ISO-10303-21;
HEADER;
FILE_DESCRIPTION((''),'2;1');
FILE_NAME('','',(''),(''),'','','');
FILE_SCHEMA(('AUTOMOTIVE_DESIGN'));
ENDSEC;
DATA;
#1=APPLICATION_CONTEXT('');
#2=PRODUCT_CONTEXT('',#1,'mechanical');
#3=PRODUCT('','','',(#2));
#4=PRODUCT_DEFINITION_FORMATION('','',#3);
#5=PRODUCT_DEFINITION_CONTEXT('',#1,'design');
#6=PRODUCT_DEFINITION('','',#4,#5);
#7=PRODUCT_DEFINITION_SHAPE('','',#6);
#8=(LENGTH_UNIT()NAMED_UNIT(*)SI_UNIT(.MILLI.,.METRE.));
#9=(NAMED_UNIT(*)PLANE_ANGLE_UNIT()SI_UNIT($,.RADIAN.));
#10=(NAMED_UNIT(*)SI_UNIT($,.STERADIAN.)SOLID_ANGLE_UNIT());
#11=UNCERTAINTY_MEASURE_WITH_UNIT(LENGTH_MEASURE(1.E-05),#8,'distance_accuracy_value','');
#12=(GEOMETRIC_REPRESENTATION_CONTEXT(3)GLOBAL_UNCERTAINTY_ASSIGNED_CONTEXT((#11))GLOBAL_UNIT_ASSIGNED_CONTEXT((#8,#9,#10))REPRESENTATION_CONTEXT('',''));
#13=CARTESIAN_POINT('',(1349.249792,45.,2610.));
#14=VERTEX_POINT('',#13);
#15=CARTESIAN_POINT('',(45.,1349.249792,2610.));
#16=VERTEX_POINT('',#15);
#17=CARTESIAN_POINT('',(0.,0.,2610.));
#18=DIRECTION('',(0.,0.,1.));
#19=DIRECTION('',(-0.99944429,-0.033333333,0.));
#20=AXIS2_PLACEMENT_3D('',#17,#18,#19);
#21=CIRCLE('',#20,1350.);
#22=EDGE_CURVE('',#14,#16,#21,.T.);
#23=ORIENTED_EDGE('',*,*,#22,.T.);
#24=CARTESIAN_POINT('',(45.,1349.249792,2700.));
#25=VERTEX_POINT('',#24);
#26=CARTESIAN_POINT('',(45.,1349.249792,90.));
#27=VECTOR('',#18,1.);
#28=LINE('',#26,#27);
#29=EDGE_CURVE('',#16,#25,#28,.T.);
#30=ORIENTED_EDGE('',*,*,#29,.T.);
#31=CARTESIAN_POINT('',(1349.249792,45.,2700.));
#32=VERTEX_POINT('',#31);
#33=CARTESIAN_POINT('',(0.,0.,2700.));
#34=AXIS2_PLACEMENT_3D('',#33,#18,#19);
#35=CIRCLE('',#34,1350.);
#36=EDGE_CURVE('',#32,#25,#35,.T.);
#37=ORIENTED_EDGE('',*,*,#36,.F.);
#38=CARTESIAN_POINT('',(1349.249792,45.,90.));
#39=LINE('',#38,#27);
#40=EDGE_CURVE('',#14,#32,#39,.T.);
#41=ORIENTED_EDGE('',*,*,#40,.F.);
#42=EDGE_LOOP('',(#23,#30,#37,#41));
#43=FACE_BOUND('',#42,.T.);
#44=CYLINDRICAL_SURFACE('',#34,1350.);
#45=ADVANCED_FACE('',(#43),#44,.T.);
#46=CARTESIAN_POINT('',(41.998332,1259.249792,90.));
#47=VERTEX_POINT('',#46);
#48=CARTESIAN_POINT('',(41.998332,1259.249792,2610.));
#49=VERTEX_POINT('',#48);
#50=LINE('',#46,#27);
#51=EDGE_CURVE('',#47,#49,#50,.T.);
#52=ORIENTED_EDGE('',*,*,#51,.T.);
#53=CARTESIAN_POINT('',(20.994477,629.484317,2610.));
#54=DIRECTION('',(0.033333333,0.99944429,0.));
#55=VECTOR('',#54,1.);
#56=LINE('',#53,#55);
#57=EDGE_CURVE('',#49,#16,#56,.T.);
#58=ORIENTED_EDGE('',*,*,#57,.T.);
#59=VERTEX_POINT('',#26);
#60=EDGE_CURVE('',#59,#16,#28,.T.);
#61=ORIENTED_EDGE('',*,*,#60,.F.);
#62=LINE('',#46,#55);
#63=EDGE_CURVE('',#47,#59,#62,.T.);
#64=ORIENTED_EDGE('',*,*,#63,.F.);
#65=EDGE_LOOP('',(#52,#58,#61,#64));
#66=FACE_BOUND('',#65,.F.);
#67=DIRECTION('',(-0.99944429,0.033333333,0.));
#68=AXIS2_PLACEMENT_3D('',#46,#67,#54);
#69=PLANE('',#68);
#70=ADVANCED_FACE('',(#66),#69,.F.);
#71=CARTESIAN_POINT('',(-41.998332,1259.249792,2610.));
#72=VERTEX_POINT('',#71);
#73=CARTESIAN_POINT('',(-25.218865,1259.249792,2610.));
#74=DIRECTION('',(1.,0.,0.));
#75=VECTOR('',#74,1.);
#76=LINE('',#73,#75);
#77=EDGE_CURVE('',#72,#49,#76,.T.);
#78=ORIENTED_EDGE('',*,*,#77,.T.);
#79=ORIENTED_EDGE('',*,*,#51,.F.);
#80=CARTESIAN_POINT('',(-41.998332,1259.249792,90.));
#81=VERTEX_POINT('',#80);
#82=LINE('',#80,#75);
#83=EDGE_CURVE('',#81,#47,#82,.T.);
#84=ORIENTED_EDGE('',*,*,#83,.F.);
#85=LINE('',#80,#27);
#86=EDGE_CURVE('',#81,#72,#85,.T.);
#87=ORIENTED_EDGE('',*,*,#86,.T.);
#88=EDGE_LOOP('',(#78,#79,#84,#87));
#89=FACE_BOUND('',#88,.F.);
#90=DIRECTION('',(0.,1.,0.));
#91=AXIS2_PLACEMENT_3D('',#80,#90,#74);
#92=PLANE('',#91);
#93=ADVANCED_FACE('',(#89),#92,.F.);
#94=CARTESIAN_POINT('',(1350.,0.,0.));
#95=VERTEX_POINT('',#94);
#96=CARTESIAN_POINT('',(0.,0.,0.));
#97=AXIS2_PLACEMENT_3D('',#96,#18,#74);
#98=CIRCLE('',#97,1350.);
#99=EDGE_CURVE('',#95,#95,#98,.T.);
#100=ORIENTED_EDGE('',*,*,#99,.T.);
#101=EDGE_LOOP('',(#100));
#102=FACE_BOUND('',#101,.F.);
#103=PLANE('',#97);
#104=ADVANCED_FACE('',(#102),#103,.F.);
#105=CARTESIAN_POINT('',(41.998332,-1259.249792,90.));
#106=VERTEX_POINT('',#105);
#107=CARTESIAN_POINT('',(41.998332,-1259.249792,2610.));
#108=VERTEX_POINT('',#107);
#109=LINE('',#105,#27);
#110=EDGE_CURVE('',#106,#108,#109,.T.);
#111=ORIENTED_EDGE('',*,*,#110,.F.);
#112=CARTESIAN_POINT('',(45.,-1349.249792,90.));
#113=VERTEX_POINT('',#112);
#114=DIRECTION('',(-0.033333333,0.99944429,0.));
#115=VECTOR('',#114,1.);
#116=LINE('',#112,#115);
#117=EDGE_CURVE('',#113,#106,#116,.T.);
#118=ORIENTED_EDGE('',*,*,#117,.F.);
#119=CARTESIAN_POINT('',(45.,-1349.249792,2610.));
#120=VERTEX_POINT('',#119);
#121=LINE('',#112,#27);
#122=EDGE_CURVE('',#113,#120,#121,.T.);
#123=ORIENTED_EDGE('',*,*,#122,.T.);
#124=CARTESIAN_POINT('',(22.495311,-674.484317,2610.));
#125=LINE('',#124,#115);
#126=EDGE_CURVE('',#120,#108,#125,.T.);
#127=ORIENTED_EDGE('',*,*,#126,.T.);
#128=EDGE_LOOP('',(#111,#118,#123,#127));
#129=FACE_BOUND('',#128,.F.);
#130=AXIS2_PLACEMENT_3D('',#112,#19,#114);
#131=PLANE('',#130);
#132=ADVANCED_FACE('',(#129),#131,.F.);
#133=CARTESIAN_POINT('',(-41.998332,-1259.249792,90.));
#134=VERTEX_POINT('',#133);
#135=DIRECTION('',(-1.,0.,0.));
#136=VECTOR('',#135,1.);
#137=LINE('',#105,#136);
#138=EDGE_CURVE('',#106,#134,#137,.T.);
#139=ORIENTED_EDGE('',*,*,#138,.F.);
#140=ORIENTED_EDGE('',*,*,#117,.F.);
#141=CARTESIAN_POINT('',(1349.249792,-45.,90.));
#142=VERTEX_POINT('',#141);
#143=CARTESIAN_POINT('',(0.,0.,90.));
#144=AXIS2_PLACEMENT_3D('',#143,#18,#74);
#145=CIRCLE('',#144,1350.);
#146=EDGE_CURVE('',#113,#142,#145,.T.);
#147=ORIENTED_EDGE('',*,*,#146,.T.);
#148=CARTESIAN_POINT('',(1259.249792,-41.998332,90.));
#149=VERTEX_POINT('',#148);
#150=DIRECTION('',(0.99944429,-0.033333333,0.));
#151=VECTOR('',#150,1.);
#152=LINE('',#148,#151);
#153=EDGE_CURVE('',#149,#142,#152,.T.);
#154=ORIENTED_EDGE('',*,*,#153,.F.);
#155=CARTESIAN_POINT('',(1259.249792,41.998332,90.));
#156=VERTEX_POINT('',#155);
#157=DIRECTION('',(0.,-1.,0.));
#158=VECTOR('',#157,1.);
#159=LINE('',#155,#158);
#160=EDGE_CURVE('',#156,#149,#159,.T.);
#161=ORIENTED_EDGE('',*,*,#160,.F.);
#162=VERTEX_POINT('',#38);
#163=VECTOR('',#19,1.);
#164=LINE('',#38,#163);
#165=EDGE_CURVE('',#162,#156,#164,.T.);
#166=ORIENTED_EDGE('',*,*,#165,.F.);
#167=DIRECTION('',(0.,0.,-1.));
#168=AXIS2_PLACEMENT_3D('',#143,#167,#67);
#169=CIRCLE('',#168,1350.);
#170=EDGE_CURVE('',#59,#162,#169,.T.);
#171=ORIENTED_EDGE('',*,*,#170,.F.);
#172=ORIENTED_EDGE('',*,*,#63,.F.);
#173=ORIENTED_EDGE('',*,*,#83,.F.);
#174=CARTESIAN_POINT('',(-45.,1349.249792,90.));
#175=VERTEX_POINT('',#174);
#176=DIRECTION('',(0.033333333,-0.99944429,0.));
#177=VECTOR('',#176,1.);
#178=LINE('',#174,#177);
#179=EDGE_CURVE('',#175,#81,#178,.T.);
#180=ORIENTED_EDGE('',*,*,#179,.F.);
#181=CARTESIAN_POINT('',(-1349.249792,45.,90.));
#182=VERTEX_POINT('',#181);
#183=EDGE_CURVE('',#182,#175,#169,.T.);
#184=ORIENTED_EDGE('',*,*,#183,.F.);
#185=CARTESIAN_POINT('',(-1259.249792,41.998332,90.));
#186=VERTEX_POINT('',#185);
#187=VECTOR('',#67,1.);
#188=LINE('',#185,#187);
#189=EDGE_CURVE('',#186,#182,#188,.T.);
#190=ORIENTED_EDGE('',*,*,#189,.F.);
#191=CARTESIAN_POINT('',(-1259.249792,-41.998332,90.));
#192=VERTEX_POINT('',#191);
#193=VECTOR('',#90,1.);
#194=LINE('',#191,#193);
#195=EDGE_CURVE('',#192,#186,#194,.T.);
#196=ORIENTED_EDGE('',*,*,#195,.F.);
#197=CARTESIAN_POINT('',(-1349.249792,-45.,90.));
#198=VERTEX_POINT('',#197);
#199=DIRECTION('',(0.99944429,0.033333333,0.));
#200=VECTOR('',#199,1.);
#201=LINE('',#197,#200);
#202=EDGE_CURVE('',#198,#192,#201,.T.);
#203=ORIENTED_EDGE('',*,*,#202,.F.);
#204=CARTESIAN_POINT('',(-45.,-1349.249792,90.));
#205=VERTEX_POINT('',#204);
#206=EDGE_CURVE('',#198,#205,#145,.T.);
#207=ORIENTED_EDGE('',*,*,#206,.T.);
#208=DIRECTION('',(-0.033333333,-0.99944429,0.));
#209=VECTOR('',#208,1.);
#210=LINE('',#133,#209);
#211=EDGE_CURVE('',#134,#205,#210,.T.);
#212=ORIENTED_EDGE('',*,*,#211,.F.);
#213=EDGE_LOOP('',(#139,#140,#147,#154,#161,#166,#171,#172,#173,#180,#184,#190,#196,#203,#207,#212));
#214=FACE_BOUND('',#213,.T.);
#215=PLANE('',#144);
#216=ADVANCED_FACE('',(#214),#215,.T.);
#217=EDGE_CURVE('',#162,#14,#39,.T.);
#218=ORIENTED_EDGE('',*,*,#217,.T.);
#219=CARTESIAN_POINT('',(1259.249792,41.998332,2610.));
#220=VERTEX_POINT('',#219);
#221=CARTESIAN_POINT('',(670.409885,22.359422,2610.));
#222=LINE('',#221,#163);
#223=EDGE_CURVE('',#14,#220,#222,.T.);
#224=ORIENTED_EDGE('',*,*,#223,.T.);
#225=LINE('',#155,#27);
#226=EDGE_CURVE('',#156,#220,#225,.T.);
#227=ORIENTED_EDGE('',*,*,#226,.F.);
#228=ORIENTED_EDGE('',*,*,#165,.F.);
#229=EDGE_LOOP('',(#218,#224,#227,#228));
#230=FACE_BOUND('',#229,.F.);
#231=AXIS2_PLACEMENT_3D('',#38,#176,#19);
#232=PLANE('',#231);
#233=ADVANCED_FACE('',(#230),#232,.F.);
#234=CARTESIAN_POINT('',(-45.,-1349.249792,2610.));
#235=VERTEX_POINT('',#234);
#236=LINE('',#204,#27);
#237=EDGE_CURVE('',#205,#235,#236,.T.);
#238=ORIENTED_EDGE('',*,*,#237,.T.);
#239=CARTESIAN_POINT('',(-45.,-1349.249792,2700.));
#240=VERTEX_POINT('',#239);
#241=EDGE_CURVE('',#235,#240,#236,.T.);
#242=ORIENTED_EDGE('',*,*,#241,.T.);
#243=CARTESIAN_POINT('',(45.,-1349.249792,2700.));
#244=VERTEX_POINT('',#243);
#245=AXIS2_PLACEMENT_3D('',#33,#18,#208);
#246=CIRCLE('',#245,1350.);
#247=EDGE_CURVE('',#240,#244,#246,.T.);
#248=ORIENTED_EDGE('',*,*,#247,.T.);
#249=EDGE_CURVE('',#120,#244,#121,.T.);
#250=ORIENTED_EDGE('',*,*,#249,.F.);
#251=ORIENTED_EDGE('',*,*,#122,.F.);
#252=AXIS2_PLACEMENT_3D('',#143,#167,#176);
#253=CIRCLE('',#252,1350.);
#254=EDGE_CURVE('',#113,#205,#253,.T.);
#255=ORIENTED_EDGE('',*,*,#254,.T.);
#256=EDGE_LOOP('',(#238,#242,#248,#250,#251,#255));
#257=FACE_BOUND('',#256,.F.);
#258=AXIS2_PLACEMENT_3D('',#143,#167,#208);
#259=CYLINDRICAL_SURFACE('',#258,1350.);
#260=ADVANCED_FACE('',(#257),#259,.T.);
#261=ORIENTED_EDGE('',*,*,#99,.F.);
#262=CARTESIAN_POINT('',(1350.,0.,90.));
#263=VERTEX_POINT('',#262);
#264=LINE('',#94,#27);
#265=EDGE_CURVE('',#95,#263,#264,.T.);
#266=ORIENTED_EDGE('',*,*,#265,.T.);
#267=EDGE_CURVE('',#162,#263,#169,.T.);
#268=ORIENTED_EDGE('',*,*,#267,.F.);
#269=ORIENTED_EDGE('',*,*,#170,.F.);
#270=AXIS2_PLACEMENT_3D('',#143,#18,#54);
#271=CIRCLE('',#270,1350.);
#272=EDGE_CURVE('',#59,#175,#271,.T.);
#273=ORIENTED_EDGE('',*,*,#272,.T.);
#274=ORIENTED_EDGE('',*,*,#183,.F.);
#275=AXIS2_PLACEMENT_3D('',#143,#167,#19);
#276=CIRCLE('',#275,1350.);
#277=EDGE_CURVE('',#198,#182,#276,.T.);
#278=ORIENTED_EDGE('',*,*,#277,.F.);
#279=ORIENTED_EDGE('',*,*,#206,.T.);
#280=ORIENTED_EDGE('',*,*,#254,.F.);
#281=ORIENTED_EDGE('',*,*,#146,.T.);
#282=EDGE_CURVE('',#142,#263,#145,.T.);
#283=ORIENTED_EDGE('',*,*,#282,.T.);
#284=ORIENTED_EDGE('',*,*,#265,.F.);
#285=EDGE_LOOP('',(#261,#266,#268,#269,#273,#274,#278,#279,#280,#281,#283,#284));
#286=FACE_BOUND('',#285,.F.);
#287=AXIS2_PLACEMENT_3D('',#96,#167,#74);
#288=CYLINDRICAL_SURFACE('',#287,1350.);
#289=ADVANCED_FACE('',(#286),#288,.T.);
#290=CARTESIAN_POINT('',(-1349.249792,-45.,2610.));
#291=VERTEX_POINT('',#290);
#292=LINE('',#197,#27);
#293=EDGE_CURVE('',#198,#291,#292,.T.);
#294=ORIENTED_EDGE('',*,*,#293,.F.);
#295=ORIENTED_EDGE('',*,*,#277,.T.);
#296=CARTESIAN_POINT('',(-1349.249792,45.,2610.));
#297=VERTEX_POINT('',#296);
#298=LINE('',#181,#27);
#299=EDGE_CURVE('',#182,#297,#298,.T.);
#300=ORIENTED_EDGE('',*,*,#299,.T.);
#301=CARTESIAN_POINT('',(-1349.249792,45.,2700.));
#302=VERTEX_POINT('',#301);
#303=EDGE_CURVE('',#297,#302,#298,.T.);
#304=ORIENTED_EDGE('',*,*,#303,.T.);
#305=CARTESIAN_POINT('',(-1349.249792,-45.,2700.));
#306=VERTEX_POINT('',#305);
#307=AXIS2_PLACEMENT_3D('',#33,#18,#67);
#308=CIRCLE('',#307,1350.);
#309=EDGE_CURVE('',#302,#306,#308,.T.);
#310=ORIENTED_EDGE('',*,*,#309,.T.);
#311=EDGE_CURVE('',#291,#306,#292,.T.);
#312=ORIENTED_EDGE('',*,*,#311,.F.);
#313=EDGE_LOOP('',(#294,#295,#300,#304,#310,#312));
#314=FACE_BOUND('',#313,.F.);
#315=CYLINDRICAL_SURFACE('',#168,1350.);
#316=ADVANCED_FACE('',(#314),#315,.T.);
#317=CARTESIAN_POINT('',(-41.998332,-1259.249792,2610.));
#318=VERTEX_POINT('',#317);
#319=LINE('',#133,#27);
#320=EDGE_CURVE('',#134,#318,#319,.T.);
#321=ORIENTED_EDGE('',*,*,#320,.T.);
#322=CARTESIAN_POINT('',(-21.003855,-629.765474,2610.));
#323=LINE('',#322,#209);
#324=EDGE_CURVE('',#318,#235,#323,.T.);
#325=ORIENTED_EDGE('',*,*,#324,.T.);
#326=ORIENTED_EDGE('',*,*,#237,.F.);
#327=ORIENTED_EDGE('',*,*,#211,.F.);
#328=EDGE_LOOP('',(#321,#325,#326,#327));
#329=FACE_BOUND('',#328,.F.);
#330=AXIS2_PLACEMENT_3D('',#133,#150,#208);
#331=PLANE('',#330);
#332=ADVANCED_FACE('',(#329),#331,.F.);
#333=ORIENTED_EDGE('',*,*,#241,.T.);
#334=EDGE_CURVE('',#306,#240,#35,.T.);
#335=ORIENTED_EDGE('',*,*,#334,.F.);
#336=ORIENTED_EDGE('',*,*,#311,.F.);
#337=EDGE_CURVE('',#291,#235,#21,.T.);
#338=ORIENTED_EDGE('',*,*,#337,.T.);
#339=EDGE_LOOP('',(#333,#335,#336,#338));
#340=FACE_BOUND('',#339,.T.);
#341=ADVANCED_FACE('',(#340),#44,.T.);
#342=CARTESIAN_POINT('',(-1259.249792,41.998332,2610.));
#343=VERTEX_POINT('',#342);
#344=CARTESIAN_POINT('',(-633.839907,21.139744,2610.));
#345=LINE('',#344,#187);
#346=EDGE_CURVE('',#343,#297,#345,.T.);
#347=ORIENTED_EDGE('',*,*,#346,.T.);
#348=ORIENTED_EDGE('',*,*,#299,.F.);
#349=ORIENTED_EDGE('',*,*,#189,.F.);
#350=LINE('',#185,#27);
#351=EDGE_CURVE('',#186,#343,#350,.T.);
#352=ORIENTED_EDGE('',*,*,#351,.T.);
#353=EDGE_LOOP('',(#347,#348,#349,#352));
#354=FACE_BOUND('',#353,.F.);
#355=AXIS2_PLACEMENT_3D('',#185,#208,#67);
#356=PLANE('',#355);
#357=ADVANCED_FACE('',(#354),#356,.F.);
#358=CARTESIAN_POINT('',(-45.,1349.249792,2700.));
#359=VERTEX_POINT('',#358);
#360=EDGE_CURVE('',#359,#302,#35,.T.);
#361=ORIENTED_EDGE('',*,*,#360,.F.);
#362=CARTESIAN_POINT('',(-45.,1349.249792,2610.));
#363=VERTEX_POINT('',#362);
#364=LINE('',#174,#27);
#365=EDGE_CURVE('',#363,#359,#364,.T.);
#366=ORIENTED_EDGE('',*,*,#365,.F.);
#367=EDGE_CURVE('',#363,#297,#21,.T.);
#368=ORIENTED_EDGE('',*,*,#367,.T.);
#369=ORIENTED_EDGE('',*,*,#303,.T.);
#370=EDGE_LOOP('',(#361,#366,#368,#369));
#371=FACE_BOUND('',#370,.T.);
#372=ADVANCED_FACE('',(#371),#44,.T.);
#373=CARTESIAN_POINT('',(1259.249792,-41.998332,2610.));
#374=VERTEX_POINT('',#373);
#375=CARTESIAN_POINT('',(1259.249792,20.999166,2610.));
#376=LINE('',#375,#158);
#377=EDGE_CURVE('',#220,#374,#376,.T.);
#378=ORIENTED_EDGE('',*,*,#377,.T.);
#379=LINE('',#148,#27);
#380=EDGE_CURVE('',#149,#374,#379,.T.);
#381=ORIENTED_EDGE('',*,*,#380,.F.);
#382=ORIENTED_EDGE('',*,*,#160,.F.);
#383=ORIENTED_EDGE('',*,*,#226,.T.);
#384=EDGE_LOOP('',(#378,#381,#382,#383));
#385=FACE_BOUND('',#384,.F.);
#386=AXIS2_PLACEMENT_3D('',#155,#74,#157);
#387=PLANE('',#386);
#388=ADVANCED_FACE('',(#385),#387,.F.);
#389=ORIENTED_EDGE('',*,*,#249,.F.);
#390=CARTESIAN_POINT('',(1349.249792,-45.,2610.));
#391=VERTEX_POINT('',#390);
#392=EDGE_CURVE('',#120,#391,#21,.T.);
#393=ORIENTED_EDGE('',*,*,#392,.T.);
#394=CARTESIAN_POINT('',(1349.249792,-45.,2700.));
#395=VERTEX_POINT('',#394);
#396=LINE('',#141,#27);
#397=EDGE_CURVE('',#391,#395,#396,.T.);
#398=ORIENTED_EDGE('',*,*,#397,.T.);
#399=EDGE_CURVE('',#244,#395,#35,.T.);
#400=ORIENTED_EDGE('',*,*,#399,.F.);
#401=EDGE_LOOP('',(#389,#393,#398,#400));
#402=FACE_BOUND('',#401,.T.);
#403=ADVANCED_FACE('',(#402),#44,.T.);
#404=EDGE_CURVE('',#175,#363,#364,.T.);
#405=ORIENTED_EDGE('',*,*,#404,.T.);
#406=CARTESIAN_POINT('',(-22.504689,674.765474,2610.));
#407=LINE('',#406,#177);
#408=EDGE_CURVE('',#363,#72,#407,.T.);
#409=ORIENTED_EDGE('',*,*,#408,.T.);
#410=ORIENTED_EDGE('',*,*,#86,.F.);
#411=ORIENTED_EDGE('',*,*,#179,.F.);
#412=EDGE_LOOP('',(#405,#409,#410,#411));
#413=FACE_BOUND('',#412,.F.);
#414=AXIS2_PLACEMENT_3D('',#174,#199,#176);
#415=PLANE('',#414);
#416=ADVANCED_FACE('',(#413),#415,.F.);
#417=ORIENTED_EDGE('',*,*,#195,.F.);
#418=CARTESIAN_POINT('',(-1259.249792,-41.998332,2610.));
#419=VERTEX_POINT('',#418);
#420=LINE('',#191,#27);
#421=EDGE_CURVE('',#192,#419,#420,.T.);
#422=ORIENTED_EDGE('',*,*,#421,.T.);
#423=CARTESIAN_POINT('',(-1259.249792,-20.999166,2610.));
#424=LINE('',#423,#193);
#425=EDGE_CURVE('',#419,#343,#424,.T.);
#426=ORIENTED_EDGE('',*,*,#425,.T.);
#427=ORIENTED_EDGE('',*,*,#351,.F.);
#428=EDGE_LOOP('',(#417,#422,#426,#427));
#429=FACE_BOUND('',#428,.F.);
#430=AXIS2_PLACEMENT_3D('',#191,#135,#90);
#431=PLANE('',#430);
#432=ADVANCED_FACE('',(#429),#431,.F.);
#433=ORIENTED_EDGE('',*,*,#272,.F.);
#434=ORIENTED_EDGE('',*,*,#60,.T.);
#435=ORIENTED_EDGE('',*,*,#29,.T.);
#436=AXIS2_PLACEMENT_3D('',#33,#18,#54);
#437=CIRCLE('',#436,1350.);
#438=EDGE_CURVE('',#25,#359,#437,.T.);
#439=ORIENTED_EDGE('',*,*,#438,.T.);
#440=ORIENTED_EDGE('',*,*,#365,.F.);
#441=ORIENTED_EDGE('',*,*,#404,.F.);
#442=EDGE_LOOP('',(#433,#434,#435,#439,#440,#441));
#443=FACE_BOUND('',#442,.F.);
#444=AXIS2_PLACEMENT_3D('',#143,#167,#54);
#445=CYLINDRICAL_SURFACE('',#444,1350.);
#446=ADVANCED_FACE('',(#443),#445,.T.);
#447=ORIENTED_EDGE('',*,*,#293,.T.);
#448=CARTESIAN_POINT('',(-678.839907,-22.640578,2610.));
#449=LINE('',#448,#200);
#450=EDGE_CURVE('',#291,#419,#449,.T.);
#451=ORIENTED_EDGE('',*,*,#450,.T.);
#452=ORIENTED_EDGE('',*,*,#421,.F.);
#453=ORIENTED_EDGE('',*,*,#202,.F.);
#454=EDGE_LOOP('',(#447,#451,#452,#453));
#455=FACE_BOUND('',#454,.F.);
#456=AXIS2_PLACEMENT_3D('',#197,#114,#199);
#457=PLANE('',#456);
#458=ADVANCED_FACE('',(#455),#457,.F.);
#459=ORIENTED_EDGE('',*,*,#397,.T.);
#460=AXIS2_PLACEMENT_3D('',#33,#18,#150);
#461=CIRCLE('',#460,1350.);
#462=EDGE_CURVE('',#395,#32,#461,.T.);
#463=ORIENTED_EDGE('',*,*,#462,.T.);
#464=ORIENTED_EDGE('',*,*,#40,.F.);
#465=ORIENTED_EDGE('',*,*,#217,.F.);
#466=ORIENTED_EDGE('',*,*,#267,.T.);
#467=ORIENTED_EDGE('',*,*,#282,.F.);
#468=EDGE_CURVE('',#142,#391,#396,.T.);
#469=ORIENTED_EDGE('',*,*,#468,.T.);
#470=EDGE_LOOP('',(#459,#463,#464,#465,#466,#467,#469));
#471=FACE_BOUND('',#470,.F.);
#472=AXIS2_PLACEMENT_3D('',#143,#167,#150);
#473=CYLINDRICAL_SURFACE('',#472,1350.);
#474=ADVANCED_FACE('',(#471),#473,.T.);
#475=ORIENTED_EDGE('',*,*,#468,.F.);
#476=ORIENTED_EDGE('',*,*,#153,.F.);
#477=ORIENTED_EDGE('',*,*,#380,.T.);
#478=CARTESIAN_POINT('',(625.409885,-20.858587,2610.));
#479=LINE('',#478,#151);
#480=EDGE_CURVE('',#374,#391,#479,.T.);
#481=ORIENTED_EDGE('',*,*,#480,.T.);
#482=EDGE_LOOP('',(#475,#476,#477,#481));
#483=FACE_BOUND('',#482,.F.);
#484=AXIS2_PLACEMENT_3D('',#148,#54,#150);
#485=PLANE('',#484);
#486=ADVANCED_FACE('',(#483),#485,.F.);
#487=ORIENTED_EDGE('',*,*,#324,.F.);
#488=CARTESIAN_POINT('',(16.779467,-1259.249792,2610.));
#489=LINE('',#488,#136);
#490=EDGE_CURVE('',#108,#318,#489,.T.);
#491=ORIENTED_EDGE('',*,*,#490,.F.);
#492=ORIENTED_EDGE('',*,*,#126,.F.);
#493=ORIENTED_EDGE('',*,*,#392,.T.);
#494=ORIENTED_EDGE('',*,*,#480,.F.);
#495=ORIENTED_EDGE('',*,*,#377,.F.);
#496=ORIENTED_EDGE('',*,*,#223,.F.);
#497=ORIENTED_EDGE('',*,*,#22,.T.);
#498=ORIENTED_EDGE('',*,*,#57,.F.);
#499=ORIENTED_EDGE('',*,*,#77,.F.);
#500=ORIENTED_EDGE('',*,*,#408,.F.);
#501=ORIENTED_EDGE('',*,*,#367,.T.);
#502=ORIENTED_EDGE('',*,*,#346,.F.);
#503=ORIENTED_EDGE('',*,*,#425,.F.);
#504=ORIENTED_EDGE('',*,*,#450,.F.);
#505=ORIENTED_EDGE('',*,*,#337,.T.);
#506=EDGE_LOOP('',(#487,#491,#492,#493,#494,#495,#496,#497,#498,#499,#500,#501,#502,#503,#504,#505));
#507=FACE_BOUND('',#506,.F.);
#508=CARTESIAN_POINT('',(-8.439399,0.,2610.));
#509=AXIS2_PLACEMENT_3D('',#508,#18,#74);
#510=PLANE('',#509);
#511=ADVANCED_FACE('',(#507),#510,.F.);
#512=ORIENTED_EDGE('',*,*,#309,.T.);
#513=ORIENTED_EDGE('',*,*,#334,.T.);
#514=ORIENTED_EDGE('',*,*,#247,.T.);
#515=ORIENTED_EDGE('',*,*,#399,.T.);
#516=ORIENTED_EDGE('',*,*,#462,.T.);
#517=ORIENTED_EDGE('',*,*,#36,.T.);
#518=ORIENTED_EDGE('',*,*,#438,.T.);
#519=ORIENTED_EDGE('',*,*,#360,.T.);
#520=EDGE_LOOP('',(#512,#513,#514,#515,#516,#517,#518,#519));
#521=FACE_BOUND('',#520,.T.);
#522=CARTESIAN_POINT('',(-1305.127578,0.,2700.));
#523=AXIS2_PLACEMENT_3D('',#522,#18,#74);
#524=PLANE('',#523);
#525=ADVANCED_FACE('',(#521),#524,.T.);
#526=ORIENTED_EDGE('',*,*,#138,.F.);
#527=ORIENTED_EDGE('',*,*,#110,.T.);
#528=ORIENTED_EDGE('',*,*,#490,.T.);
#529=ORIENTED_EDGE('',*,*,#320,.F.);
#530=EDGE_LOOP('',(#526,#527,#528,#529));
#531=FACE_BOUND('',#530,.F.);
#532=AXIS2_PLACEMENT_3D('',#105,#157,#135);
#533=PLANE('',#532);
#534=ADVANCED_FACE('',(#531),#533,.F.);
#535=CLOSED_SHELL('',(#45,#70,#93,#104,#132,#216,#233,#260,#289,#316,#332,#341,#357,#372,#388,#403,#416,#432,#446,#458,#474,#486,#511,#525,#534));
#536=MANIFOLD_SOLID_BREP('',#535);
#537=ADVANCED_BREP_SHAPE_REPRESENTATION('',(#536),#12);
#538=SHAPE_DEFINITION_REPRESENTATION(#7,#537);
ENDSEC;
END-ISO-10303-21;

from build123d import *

# Parameters (mm, degrees)
F0_R     = 1350
F1_DEPTH = 90
F3_DEPTH = 2610
F5_COUNT = 4
F7_DEPTH = 90


with BuildPart() as f1:
    # F0 (on Top) → F1 (new body)
    with BuildSketch(Plane.XY):
        Circle(F0_R)
    extrude(amount=F1_DEPTH)

    # F2 (on face) → F3 (join)
    with BuildSketch(Plane.XY.offset(90)):
        with BuildLine():
            Line((-1259.2497915508, 41.9983319432), (-1349.2497915508, 45))
            ThreePointArc((-1349.2497915508, 45), (-1350, 0), (-1349.2497915508, -45))
            Line((-1349.2497915508, -45), (-1259.2497915508, -41.9983319432))
            Line((-1259.2497915508, -41.9983319432), (-1259.2497915508, 0))
            Line((-1259.2497915508, 0), (-1259.2497915508, 41.9983319432))
        make_face()
    extrude(amount=F3_DEPTH)


with BuildPart() as f5_1:
    # F5: instance of F1
    add(f1.part.rotate(Axis((0, 0, 397.8728353977), (0, 0, 1)), 1 * 360 / F5_COUNT))


with BuildPart() as f5_2:
    # F5: instance of F1
    add(f1.part.rotate(Axis((0, 0, 397.8728353977), (0, 0, 1)), 2 * 360 / F5_COUNT))


with BuildPart() as f5_3:
    # F5: instance of F1
    add(f1.part.rotate(Axis((0, 0, 397.8728353977), (0, 0, 1)), 3 * 360 / F5_COUNT))


with BuildPart() as f1_1:
    add(f1.part)

    add(f5_1.part)  # F7 merges F5_1

    add(f5_2.part)  # F7 merges F5_2

    add(f5_3.part)  # F7 merges F5_3
    # F6 (on face) → F7 (join)
    with BuildSketch(Plane.XY.offset(2700)):
        with BuildLine():
            ThreePointArc((-1349.2497915508, 45), (-1350, 0), (-1349.2497915508, -45))
            ThreePointArc((-1349.2497915508, -45), (1350, 0), (-1349.2497915508, 45))
        make_face()
    extrude(amount=-F7_DEPTH)


solid = f1_1.part
